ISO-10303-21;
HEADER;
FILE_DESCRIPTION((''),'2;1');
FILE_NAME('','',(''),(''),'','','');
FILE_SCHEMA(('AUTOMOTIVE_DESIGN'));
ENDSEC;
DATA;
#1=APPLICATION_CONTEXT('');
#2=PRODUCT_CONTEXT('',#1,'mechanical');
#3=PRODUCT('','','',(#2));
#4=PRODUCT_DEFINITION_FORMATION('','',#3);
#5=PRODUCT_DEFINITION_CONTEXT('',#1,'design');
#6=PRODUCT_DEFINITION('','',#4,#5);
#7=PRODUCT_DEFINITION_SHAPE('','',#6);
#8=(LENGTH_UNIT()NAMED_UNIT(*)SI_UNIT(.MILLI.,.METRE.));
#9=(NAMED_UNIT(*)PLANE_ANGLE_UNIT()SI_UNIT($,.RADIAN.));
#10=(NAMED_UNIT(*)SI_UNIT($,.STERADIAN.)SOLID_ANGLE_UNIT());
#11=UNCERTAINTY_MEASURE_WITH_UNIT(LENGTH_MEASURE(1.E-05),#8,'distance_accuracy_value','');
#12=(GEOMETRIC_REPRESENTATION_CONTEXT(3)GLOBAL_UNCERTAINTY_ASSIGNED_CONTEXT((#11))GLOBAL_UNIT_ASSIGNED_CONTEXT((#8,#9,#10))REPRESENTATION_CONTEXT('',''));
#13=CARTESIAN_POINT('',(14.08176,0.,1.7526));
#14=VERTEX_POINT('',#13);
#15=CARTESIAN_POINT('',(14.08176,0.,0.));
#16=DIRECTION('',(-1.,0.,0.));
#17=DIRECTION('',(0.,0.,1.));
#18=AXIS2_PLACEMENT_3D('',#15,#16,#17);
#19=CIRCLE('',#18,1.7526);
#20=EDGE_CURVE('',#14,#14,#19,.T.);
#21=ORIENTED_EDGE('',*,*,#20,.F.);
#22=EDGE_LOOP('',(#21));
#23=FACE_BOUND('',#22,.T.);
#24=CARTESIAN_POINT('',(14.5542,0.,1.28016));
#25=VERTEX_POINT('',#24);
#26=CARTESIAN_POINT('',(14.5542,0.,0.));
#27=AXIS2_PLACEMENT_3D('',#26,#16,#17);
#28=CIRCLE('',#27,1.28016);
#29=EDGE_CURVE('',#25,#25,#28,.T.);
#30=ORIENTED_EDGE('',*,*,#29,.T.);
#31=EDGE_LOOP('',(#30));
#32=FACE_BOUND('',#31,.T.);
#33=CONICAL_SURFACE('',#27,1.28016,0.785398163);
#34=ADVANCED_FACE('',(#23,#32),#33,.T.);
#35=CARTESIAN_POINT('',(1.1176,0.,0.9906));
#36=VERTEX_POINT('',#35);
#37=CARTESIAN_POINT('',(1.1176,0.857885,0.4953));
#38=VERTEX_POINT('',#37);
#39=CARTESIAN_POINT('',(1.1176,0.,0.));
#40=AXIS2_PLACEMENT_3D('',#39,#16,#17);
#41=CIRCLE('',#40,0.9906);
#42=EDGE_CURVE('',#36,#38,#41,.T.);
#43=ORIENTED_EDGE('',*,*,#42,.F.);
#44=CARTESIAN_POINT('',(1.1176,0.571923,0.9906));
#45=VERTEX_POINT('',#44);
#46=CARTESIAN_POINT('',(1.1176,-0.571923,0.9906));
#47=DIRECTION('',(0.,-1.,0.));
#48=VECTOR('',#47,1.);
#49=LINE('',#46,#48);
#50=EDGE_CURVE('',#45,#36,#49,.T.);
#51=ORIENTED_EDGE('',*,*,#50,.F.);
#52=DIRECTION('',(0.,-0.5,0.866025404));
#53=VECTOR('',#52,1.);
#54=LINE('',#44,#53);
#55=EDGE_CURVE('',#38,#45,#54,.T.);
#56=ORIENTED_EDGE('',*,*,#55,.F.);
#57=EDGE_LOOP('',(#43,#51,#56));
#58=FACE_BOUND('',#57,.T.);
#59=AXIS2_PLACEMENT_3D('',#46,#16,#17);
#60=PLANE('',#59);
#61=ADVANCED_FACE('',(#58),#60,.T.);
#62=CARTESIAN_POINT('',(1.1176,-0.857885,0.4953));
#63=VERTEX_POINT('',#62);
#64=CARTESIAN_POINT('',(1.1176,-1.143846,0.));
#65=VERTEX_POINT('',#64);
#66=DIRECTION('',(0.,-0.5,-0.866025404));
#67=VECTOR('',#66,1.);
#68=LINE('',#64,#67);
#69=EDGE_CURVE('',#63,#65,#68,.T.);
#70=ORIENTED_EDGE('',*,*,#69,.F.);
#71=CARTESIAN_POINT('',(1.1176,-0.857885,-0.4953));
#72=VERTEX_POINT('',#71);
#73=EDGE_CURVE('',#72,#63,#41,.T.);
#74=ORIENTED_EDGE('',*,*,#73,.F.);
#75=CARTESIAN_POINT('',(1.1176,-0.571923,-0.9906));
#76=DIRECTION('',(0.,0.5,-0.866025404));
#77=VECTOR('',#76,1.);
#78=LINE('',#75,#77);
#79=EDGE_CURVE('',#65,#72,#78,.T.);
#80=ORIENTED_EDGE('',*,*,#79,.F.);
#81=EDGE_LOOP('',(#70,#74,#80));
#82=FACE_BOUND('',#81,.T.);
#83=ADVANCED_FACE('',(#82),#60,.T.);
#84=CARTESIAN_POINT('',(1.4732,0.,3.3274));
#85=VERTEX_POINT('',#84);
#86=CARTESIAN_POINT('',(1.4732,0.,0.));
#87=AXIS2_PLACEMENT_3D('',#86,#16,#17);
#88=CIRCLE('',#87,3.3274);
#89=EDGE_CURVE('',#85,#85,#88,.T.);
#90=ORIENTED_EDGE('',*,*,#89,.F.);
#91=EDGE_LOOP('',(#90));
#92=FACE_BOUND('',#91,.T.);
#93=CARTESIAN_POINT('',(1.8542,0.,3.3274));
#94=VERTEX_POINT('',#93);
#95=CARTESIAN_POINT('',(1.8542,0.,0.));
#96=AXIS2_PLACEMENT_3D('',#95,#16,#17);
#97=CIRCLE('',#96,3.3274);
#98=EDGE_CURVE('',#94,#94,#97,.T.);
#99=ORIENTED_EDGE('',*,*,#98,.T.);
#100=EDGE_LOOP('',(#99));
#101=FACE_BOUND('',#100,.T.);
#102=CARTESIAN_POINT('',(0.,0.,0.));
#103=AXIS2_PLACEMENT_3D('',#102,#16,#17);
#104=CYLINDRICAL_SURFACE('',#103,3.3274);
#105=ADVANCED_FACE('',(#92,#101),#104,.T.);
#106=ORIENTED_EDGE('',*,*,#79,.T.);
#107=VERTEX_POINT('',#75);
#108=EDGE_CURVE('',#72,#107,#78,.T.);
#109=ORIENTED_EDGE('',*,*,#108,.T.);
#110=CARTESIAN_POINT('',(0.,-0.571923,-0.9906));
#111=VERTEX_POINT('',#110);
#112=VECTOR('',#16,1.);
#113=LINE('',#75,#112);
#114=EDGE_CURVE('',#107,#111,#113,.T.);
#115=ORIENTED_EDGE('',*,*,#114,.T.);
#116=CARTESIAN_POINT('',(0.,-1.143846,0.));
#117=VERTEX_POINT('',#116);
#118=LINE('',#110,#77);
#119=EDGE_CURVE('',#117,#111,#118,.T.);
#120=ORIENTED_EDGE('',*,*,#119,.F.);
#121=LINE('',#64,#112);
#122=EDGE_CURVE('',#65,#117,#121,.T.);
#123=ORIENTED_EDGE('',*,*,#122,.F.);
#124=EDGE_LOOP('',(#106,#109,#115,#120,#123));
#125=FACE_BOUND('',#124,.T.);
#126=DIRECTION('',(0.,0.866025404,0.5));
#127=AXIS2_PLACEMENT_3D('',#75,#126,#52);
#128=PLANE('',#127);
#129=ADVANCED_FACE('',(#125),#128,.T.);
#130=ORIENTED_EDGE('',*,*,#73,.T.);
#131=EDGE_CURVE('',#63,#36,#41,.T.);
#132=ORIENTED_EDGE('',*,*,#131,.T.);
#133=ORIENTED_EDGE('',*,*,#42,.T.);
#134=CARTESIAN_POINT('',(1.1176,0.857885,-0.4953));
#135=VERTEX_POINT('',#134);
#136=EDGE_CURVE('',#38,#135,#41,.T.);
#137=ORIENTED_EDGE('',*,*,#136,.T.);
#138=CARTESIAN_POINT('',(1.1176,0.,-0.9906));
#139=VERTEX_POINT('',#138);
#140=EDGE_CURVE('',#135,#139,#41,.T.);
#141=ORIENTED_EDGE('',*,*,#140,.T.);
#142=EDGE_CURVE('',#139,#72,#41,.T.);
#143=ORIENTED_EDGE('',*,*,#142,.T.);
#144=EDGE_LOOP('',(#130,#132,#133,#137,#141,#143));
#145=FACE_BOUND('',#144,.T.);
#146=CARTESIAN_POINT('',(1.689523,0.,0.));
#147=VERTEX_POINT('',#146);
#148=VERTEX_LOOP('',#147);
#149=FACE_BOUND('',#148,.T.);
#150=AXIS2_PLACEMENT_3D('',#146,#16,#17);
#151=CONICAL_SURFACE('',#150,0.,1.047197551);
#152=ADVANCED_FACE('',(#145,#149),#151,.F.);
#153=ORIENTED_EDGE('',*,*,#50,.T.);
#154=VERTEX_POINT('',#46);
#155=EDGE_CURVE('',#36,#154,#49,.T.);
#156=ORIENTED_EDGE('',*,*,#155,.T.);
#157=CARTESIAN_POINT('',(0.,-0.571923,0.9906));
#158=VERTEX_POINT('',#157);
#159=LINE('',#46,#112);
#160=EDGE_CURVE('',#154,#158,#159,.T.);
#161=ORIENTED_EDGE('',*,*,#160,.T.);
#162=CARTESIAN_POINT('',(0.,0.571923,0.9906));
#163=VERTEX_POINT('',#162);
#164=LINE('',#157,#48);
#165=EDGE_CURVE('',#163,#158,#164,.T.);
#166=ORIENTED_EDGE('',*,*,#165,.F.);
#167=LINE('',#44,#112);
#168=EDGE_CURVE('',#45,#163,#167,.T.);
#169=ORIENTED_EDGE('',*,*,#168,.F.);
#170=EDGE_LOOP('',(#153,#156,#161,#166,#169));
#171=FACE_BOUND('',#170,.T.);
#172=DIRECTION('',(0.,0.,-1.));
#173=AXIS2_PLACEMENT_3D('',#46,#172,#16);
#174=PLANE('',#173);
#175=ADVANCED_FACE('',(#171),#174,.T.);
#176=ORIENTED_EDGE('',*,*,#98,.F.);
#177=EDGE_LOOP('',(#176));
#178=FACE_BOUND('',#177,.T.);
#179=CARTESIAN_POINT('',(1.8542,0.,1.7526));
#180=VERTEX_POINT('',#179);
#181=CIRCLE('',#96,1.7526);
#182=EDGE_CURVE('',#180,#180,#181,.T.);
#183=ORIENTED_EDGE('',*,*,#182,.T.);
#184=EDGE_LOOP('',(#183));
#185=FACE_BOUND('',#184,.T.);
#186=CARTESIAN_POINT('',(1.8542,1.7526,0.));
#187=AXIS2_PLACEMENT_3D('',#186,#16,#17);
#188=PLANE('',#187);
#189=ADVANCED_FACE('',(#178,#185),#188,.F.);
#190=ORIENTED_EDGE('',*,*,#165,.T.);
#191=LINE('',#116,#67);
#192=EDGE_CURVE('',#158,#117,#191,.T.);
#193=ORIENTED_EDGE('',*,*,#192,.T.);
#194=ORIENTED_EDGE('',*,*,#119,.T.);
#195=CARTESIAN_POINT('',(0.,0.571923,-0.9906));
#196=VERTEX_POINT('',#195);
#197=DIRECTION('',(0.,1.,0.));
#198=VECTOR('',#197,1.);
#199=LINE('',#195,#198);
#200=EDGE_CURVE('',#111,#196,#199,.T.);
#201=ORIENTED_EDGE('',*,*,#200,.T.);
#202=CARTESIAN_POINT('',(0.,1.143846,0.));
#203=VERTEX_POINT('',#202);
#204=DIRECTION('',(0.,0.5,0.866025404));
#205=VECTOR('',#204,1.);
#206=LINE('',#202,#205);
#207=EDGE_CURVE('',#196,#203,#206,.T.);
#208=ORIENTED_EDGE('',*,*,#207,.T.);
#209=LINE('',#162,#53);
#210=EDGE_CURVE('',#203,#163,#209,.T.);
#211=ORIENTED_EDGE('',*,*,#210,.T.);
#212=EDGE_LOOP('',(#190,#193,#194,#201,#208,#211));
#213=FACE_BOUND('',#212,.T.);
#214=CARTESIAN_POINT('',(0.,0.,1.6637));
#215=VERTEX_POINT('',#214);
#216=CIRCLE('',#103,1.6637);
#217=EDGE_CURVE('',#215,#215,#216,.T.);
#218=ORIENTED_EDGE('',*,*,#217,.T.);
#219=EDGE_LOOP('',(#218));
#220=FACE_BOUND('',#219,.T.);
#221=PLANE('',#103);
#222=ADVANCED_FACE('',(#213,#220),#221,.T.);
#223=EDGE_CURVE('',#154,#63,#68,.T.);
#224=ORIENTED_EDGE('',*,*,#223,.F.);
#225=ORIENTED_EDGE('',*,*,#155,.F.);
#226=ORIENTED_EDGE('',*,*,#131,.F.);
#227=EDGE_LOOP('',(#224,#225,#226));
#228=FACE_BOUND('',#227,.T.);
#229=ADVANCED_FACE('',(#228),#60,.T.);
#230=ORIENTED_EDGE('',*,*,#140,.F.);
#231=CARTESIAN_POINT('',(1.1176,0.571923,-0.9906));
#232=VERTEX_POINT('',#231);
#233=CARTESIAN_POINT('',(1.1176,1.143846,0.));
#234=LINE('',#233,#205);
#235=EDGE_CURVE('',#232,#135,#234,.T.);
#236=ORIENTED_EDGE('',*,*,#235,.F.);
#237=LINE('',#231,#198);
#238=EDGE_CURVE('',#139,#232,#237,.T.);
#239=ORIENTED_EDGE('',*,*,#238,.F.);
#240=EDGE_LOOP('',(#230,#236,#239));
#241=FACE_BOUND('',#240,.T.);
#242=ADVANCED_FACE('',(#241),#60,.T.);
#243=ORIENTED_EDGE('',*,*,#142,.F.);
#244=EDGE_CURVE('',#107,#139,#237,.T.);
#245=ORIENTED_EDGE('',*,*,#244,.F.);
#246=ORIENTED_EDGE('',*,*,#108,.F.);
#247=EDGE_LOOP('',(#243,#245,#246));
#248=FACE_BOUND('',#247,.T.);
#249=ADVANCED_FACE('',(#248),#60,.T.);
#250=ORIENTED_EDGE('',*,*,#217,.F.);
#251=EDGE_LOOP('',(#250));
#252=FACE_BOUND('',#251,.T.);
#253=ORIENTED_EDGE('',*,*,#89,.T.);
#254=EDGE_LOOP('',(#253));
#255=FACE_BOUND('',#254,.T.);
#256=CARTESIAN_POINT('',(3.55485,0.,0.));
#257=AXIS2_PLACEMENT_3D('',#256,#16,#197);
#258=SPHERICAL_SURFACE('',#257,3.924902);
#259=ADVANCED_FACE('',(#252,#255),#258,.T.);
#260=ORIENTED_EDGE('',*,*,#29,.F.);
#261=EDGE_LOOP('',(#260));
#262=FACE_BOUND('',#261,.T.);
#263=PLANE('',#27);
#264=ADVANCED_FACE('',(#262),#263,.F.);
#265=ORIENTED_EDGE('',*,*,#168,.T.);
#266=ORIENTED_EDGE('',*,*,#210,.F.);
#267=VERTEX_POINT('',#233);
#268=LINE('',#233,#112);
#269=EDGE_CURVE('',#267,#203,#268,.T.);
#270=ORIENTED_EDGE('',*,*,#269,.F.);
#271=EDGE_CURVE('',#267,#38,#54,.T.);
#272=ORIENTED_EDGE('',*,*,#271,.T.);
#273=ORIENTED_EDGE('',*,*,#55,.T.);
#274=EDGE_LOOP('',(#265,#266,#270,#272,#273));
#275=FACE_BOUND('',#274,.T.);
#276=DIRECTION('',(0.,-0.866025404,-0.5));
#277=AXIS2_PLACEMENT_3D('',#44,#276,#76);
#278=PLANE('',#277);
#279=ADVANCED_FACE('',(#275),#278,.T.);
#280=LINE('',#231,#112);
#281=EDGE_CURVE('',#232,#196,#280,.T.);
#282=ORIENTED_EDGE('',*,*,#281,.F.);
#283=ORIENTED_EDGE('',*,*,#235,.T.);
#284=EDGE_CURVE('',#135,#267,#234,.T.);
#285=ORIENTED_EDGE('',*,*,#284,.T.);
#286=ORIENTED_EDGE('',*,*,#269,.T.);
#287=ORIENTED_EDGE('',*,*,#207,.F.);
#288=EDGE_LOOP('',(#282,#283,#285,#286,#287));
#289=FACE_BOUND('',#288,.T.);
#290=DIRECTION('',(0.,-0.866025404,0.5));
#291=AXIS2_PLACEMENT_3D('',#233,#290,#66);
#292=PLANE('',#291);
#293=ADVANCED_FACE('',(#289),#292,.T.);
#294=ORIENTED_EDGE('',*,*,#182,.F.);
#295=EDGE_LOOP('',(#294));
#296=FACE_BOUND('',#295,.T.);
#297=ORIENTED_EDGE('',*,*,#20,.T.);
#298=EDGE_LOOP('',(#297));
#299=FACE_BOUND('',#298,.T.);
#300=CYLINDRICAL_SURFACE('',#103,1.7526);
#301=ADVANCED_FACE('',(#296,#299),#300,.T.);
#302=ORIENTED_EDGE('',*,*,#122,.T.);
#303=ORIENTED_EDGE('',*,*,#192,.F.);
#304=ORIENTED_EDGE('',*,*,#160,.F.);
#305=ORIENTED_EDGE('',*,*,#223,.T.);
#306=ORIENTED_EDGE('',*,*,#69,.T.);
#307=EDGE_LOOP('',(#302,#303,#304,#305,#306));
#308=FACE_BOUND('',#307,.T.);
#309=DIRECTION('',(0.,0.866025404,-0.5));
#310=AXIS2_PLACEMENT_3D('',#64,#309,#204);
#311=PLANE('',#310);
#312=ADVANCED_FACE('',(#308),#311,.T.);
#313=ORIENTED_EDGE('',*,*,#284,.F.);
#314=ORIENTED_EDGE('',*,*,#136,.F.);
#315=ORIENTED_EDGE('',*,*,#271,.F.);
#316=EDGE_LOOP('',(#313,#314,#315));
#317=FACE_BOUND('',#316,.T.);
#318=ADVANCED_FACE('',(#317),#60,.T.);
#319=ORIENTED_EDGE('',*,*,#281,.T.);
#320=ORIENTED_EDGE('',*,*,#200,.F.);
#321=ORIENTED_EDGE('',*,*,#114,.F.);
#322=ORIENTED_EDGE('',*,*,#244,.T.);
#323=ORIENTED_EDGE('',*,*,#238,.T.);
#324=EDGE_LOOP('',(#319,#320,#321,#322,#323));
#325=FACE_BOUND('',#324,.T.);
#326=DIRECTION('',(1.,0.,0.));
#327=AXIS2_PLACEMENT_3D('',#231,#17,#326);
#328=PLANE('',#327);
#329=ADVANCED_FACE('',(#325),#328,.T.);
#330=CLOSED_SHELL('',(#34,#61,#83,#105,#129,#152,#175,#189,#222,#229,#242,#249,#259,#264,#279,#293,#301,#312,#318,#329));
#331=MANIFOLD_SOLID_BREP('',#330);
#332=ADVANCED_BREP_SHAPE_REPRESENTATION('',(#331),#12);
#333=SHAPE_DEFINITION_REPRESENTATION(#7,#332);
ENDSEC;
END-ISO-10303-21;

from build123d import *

# Parameters (mm, degrees)
HEX_2_DEPTH = 1.1176


with BuildPart() as part:
    # BodySke → BaseBody (revolve)
    with BuildSketch(Plane.XY):
        with BuildLine():
            Line((14.5542, 0), (14.5542, 1.28016))
            Line((14.5542, 1.28016), (14.08176, 1.7526))
            Line((14.08176, 1.7526), (1.8542, 1.7526))
            Line((1.8542, 1.7526), (1.8542, 3.3274))
            Line((1.8542, 3.3274), (1.4732, 3.3274))
            ThreePointArc((1.4732, 3.3274), (0.616396771, 2.601989501), (0, 1.6637))
            Line((0, 1.6637), (0, 0))
            Line((0, 0), (14.5542, 0))
        make_face()
    revolve(axis=Axis((0, 0, 0), (1, 0, 0)))

    # Sketch2 → PreBroach (revolve, cut)
    with BuildSketch(Plane.XY):
        Polygon((0, 0.9906), (1.1176, 0.9906), (1.689523177, 0), (0, 0), align=None)
    revolve(axis=Axis((0, 0, 0), (1, 0, 0)), mode=Mode.SUBTRACT)

    # Sketch3 → Hex 2 (cut)
    with BuildSketch(Plane(origin=(0, 0, 0), x_dir=(0, 0, -1), z_dir=(1, 0, 0))):
        Polygon((-0.9906, -0.571923177), (-0.9906, 0.571923177), (0, 1.143846353), (0.9906, 0.571923177), (0.9906, -0.571923177), (0, -1.143846353), align=None)
    extrude(amount=HEX_2_DEPTH, mode=Mode.SUBTRACT)


solid = part.part
